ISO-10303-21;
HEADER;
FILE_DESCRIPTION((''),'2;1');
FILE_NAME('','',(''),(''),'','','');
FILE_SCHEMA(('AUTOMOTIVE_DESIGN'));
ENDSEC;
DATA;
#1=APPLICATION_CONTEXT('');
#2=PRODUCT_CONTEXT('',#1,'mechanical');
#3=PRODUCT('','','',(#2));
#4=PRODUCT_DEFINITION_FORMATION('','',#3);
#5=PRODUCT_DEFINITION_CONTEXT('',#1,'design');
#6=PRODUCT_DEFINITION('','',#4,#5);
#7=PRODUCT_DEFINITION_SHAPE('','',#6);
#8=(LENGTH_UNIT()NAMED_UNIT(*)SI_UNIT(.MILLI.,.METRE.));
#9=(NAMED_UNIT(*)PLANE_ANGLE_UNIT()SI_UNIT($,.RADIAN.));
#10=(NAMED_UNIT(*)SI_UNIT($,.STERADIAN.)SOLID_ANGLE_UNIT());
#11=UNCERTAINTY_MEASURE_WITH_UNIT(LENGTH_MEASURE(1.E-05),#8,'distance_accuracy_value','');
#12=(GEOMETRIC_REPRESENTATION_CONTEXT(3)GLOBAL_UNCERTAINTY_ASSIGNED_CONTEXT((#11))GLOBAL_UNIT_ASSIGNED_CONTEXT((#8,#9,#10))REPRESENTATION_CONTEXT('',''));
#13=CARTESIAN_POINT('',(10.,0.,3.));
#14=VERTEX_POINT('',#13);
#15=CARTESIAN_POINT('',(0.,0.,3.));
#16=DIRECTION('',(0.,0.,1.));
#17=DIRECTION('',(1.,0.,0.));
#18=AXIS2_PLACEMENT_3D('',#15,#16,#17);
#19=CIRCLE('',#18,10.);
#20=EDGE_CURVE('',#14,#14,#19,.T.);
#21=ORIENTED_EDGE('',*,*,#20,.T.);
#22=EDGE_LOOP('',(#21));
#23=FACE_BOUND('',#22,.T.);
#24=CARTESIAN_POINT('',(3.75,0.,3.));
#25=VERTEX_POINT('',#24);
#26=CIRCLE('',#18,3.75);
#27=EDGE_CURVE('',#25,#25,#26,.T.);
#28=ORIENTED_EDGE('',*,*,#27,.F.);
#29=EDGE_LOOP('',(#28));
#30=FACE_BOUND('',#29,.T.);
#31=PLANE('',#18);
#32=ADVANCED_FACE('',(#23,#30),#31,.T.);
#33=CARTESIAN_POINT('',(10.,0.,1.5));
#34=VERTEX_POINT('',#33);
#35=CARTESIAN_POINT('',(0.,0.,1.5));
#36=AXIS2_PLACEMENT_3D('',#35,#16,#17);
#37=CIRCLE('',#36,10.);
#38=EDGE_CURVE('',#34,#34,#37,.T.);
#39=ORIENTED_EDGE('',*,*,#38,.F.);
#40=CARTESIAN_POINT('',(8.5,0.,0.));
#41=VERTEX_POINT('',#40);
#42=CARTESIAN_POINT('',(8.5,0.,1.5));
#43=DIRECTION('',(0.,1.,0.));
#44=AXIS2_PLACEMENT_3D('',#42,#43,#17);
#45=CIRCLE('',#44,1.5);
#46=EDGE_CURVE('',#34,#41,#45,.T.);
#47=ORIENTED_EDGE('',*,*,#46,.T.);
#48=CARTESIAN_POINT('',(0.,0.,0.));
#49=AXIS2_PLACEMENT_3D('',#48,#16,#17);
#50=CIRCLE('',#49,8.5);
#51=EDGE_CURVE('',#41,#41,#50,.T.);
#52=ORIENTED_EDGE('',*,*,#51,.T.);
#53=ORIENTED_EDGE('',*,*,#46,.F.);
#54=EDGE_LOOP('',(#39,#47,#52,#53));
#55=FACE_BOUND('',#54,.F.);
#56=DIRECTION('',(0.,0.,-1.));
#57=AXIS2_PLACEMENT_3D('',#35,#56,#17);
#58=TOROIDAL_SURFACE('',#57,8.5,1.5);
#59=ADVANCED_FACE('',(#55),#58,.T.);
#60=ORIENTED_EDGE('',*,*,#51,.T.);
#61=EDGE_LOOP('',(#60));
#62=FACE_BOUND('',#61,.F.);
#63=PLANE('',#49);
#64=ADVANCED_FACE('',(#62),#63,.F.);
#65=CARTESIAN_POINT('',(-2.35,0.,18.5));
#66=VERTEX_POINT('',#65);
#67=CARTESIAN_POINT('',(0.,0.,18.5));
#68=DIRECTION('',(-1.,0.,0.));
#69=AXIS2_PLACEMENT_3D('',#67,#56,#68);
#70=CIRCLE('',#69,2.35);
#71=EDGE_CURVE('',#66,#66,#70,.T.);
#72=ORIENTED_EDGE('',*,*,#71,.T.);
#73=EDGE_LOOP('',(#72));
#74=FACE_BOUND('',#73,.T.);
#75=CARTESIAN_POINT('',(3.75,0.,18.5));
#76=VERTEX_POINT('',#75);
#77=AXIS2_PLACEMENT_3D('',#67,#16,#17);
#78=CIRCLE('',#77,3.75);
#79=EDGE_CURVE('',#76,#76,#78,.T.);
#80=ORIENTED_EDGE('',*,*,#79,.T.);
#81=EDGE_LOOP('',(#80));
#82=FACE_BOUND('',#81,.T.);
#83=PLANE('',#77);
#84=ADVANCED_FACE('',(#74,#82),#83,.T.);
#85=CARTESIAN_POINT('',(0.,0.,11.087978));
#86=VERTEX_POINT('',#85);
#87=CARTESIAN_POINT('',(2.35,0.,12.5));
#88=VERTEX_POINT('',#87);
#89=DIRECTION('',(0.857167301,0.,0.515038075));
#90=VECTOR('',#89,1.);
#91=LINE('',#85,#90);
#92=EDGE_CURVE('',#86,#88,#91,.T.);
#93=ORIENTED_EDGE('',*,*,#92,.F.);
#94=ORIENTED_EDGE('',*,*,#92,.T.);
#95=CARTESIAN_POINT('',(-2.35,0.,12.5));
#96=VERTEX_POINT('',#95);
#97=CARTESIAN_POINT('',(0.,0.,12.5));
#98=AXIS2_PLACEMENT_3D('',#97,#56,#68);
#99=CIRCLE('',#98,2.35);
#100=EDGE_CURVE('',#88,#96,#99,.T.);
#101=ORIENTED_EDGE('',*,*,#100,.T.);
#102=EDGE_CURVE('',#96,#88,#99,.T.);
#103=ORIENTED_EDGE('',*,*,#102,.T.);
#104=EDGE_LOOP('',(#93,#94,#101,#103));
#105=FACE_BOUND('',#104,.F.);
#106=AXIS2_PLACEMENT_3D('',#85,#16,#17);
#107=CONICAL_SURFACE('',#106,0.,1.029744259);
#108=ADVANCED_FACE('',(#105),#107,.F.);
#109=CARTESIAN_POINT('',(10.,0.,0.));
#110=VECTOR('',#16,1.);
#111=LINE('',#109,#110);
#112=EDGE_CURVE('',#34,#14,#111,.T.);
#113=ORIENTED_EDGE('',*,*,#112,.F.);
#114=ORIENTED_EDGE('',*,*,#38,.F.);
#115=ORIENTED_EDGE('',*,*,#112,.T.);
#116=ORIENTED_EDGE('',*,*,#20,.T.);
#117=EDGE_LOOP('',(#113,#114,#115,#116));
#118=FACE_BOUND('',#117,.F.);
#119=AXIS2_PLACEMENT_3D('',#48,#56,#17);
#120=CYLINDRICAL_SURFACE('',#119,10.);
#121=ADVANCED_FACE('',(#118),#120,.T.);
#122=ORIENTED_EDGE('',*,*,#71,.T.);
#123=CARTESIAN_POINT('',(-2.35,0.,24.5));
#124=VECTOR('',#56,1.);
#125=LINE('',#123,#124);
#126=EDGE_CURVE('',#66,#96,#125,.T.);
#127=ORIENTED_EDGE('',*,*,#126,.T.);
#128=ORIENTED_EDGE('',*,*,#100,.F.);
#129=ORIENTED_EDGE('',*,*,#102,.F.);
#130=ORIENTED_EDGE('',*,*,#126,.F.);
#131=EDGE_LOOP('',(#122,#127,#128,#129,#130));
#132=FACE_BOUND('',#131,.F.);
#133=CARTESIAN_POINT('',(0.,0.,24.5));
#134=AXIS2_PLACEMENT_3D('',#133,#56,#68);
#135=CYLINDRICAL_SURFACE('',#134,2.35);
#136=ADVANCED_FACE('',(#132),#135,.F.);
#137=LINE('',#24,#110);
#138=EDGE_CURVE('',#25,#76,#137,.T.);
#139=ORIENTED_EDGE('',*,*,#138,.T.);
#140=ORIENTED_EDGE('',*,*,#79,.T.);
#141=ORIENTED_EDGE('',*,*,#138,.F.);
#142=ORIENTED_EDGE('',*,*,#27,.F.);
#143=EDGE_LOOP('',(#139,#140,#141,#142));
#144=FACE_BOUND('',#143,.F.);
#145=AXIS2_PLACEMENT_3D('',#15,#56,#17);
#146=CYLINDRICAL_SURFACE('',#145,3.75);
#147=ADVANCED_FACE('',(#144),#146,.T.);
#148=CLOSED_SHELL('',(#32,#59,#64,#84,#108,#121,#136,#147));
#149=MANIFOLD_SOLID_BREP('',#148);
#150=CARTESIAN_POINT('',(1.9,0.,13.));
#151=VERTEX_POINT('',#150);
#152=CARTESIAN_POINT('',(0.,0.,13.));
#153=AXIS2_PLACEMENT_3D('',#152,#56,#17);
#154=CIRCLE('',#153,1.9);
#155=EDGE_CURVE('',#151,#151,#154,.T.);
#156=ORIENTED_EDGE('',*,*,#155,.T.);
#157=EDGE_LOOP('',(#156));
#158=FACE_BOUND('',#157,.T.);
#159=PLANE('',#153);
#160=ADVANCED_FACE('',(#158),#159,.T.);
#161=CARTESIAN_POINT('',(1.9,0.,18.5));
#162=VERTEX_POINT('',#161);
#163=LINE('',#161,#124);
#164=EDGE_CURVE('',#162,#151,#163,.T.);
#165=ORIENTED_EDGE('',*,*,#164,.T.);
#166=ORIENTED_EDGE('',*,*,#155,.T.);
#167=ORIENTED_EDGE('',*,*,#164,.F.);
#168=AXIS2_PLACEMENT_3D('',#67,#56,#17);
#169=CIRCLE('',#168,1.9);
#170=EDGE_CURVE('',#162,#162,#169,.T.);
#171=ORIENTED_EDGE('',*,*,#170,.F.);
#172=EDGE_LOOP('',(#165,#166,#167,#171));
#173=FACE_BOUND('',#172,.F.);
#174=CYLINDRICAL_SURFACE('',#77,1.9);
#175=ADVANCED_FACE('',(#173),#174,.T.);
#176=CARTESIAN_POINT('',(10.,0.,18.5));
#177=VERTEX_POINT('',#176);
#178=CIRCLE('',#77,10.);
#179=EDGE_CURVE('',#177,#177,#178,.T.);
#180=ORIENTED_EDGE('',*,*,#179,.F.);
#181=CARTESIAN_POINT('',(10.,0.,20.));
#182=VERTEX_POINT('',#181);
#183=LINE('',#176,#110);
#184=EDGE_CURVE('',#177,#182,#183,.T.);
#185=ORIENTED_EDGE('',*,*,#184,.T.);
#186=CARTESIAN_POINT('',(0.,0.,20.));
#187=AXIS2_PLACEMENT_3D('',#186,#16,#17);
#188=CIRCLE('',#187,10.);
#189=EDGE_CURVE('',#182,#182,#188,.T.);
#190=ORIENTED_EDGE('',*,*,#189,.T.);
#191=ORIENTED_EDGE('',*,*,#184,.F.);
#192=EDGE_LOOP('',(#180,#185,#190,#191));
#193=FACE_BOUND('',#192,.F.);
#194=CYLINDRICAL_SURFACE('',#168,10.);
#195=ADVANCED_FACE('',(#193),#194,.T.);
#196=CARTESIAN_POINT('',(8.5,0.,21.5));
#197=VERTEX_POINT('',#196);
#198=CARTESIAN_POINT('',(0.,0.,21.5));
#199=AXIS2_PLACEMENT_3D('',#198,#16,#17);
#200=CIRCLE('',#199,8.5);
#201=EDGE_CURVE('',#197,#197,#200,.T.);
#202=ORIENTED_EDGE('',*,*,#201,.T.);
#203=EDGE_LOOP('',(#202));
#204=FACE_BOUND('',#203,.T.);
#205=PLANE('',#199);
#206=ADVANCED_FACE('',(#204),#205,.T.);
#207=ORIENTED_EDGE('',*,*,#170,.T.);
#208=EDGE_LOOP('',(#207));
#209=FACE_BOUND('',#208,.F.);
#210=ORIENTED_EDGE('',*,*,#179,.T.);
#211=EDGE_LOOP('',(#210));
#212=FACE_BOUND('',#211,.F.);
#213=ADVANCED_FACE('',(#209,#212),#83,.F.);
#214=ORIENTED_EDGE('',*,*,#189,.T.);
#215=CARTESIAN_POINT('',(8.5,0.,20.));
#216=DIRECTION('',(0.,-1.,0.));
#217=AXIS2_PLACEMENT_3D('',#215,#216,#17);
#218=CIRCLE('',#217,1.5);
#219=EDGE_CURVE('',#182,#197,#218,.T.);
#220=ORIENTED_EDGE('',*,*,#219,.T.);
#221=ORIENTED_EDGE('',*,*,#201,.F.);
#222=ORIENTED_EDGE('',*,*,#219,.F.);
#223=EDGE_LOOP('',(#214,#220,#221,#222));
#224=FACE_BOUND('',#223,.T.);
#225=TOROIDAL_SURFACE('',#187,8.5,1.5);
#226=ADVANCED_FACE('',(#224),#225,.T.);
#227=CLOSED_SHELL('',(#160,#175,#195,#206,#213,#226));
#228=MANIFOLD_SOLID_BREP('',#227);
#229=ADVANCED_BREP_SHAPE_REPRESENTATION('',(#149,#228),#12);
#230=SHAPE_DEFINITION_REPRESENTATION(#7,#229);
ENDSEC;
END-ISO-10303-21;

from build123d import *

# Parameters (mm, degrees)
F0_R      = 10
F1_DEPTH  = 3
F2_R      = 3.75
F3_DEPTH  = 15.5
F5_D      = 4.7
F5_DEPTH  = 6
F5_TIP    = 1.4120224547
F6_R      = 1.5
F7_R      = 10
F8_DEPTH  = 3
F9_R      = 1.9
F10_DEPTH = 5.5
F11_R     = 1.5


with BuildPart() as f1:
    # F0 (on Top) → F1 (new body)
    with BuildSketch(Plane.XY):
        Circle(F0_R)
    extrude(amount=F1_DEPTH)

    # F2 (on face) → F3 (join)
    with BuildSketch(Plane.XY.offset(3)):
        Circle(F2_R)
    extrude(amount=F3_DEPTH)

    # F5
    with Locations(Plane.XY.offset(18.5)):
        with Locations((0, 0)):
            Hole(F5_D / 2, depth=F5_DEPTH)
            with Locations((0, 0, -(F5_DEPTH + F5_TIP / 2))):  # 118° drill point
                Cone(0, F5_D / 2, F5_TIP, mode=Mode.SUBTRACT)

    # F6
    f6_edges = [f1.edges().sort_by_distance(p)[0] for p in [
        (-10, 0, 0),
    ]]
    fillet(f6_edges, radius=F6_R)


with BuildPart() as f8:
    # F7 (on face) → F8 (new body)
    with BuildSketch(Plane.XY.offset(18.5)):
        Circle(F7_R)
    extrude(amount=F8_DEPTH)

    # F9 (on face) → F10 (join)
    with BuildSketch(Plane(origin=(0, 0, 18.5), x_dir=(1, 0, 0), z_dir=(0, 0, -1))):
        Circle(F9_R)
    extrude(amount=F10_DEPTH)

    # F11
    f11_edges = [f8.edges().sort_by_distance(p)[0] for p in [
        (-10, 0, 21.5),
    ]]
    fillet(f11_edges, radius=F11_R)


solid = Compound([f1.part, f8.part])
